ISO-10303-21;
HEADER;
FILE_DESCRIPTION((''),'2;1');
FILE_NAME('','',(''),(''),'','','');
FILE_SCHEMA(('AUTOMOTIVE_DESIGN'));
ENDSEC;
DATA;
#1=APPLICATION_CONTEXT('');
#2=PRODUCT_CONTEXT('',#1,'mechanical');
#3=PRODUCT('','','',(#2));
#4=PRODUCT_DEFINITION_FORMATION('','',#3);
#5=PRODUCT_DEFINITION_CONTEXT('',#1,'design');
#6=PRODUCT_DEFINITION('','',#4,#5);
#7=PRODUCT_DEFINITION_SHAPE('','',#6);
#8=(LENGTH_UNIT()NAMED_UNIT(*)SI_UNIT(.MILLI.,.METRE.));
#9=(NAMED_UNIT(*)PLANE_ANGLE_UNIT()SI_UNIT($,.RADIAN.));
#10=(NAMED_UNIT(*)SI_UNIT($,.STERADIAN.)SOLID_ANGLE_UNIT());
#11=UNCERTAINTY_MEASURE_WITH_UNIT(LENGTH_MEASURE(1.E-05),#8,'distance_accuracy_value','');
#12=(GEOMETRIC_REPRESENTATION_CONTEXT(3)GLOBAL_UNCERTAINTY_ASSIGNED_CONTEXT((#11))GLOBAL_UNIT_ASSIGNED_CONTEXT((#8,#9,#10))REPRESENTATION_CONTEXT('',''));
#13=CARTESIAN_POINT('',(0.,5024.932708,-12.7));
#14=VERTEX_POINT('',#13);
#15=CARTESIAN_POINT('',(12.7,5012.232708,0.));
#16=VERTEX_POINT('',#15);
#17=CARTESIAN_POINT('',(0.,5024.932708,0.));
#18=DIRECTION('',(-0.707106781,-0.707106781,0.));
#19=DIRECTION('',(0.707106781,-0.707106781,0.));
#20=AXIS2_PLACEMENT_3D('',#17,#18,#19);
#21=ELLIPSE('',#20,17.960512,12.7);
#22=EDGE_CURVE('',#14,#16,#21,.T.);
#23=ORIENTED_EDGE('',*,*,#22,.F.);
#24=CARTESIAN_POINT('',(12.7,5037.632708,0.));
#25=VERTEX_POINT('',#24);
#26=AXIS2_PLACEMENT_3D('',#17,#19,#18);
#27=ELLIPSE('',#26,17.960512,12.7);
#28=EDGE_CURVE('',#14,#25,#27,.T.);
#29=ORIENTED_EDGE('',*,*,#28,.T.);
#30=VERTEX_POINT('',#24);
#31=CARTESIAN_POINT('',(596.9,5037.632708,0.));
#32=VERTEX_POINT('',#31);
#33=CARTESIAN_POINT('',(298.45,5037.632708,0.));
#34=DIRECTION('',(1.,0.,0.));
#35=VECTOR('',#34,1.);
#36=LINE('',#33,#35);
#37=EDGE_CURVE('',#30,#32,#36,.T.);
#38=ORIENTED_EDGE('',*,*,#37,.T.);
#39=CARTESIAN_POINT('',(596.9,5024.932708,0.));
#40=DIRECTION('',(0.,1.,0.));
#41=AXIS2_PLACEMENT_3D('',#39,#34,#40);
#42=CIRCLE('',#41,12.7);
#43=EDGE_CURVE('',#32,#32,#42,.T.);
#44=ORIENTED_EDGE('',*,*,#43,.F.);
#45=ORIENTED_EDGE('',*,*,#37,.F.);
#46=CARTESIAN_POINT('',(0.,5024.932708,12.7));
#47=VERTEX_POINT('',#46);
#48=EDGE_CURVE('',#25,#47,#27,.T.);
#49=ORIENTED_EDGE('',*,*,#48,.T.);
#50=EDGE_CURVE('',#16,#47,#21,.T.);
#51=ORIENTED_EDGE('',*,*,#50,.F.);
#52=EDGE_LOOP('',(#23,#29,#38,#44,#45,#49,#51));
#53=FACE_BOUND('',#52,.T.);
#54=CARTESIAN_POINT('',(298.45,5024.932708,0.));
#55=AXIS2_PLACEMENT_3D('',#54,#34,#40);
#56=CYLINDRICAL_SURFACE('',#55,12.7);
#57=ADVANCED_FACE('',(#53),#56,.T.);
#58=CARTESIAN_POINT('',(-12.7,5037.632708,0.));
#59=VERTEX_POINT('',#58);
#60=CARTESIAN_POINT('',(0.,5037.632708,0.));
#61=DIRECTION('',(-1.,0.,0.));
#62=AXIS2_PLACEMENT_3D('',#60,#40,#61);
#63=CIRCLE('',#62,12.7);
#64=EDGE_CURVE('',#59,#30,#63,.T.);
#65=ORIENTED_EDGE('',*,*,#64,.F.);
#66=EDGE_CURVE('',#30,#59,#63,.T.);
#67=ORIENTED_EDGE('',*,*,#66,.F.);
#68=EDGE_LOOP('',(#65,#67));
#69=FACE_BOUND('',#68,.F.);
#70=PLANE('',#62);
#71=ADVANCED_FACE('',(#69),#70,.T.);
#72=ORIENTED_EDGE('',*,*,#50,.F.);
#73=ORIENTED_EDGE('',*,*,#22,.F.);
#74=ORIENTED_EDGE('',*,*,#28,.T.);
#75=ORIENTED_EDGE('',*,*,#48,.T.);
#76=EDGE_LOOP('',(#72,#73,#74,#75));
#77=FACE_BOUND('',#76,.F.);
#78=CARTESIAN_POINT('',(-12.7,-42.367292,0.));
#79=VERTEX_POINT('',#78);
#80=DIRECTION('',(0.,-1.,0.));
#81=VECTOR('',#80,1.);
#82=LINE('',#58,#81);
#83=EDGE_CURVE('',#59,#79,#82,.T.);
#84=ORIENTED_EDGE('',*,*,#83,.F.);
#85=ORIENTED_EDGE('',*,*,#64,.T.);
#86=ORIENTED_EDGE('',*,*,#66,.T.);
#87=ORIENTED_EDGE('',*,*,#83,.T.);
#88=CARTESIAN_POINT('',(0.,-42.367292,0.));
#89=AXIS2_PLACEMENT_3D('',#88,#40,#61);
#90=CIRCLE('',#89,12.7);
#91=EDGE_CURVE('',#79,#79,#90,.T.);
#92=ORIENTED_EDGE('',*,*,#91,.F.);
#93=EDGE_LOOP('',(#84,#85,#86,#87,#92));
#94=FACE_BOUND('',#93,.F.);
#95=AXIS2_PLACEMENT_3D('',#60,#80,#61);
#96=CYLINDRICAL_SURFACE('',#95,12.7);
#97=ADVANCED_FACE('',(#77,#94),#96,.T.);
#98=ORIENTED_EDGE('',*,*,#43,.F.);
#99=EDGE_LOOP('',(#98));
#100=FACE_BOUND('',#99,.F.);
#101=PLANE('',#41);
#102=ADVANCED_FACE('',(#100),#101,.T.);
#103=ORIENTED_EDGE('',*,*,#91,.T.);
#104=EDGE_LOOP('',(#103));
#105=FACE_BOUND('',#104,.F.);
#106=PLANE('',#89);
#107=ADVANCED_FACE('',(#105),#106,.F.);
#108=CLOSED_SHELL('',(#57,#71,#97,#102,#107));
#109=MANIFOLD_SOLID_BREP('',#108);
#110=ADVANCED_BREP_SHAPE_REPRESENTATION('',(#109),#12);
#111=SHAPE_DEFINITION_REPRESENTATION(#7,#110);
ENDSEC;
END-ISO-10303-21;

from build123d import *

# Parameters (mm, degrees)
F0_W = 596.9
F0_H = 12.7


with BuildPart() as f1:
    # F0 (on Top) → F1 (revolve)
    with BuildSketch(Plane.XY):
        Polygon((-12.7, -42.367292), (0, -42.367292), (0, 5024.932708), (0, 5037.632708), (-12.7, 5037.632708), align=None)
    revolve(axis=Axis((0, 2491.282708, 0), (0, 1, 0)))

    # F0 (on Top) → F2 (revolve)
    with BuildSketch(Plane.XY):
        with Locations((298.45, 5031.282708)):
            Rectangle(F0_W, F0_H)
    revolve(axis=Axis((298.45, 5024.932708, 0), (1, 0, 0)))


solid = f1.part
